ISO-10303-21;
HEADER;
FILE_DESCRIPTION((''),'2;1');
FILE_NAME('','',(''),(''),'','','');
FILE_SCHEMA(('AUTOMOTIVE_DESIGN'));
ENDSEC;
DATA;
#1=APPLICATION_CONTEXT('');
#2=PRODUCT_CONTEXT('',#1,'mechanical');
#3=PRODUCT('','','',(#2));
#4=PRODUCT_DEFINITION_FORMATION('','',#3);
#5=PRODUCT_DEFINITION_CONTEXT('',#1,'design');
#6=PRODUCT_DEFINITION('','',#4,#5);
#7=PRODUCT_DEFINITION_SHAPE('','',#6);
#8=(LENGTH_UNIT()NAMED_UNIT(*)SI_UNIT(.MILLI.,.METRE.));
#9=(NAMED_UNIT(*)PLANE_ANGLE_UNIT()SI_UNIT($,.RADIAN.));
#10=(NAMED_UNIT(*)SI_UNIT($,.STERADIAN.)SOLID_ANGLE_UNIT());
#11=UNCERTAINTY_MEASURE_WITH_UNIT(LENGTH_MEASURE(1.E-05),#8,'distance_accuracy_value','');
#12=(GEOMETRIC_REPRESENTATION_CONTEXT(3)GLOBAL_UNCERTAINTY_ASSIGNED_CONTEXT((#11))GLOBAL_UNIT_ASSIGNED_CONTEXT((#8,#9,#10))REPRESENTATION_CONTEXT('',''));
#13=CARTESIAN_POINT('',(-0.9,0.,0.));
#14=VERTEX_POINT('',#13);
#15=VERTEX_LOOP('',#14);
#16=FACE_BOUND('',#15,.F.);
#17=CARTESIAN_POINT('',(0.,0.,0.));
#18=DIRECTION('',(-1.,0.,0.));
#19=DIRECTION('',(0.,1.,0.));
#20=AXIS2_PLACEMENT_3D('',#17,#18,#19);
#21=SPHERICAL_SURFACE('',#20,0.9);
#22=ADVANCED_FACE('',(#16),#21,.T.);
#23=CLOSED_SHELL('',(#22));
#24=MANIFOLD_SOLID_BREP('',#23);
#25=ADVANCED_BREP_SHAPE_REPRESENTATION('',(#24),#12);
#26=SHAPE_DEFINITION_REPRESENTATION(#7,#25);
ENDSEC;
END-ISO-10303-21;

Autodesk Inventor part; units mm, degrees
sketch "Sketch_1" plane through (0, 0, 0) normal (0, 0, 1) x (1, 0, 0)
  line L0 (0.9, 0) -> (-0.9, 0)
  arc A0 (0.9, 0) -> (-0.9, 0) centre (0, 0) ccw
  line L1 (0.9, 0) -> (-0.9, 0)
revolve "Revolution1" add sketch "Sketch_1" angle 360 about axis through (0.9, 0, 0) along (1, 0, 0)
ref_plane "ip_st_1_XY" through (0, 0, 0) normal (-1, 0, 0) x (0, 0, -1)
ref_plane "ip_st_1_YZ" through (0, 0, 0) normal (0, 0, -1) x (0, -1, 0)
ref_plane "ip_st_1_ZX" through (0, 0, 0) normal (0, -1, 0) x (-1, 0, 0)
properties part number "MF126ZZ Ball"
